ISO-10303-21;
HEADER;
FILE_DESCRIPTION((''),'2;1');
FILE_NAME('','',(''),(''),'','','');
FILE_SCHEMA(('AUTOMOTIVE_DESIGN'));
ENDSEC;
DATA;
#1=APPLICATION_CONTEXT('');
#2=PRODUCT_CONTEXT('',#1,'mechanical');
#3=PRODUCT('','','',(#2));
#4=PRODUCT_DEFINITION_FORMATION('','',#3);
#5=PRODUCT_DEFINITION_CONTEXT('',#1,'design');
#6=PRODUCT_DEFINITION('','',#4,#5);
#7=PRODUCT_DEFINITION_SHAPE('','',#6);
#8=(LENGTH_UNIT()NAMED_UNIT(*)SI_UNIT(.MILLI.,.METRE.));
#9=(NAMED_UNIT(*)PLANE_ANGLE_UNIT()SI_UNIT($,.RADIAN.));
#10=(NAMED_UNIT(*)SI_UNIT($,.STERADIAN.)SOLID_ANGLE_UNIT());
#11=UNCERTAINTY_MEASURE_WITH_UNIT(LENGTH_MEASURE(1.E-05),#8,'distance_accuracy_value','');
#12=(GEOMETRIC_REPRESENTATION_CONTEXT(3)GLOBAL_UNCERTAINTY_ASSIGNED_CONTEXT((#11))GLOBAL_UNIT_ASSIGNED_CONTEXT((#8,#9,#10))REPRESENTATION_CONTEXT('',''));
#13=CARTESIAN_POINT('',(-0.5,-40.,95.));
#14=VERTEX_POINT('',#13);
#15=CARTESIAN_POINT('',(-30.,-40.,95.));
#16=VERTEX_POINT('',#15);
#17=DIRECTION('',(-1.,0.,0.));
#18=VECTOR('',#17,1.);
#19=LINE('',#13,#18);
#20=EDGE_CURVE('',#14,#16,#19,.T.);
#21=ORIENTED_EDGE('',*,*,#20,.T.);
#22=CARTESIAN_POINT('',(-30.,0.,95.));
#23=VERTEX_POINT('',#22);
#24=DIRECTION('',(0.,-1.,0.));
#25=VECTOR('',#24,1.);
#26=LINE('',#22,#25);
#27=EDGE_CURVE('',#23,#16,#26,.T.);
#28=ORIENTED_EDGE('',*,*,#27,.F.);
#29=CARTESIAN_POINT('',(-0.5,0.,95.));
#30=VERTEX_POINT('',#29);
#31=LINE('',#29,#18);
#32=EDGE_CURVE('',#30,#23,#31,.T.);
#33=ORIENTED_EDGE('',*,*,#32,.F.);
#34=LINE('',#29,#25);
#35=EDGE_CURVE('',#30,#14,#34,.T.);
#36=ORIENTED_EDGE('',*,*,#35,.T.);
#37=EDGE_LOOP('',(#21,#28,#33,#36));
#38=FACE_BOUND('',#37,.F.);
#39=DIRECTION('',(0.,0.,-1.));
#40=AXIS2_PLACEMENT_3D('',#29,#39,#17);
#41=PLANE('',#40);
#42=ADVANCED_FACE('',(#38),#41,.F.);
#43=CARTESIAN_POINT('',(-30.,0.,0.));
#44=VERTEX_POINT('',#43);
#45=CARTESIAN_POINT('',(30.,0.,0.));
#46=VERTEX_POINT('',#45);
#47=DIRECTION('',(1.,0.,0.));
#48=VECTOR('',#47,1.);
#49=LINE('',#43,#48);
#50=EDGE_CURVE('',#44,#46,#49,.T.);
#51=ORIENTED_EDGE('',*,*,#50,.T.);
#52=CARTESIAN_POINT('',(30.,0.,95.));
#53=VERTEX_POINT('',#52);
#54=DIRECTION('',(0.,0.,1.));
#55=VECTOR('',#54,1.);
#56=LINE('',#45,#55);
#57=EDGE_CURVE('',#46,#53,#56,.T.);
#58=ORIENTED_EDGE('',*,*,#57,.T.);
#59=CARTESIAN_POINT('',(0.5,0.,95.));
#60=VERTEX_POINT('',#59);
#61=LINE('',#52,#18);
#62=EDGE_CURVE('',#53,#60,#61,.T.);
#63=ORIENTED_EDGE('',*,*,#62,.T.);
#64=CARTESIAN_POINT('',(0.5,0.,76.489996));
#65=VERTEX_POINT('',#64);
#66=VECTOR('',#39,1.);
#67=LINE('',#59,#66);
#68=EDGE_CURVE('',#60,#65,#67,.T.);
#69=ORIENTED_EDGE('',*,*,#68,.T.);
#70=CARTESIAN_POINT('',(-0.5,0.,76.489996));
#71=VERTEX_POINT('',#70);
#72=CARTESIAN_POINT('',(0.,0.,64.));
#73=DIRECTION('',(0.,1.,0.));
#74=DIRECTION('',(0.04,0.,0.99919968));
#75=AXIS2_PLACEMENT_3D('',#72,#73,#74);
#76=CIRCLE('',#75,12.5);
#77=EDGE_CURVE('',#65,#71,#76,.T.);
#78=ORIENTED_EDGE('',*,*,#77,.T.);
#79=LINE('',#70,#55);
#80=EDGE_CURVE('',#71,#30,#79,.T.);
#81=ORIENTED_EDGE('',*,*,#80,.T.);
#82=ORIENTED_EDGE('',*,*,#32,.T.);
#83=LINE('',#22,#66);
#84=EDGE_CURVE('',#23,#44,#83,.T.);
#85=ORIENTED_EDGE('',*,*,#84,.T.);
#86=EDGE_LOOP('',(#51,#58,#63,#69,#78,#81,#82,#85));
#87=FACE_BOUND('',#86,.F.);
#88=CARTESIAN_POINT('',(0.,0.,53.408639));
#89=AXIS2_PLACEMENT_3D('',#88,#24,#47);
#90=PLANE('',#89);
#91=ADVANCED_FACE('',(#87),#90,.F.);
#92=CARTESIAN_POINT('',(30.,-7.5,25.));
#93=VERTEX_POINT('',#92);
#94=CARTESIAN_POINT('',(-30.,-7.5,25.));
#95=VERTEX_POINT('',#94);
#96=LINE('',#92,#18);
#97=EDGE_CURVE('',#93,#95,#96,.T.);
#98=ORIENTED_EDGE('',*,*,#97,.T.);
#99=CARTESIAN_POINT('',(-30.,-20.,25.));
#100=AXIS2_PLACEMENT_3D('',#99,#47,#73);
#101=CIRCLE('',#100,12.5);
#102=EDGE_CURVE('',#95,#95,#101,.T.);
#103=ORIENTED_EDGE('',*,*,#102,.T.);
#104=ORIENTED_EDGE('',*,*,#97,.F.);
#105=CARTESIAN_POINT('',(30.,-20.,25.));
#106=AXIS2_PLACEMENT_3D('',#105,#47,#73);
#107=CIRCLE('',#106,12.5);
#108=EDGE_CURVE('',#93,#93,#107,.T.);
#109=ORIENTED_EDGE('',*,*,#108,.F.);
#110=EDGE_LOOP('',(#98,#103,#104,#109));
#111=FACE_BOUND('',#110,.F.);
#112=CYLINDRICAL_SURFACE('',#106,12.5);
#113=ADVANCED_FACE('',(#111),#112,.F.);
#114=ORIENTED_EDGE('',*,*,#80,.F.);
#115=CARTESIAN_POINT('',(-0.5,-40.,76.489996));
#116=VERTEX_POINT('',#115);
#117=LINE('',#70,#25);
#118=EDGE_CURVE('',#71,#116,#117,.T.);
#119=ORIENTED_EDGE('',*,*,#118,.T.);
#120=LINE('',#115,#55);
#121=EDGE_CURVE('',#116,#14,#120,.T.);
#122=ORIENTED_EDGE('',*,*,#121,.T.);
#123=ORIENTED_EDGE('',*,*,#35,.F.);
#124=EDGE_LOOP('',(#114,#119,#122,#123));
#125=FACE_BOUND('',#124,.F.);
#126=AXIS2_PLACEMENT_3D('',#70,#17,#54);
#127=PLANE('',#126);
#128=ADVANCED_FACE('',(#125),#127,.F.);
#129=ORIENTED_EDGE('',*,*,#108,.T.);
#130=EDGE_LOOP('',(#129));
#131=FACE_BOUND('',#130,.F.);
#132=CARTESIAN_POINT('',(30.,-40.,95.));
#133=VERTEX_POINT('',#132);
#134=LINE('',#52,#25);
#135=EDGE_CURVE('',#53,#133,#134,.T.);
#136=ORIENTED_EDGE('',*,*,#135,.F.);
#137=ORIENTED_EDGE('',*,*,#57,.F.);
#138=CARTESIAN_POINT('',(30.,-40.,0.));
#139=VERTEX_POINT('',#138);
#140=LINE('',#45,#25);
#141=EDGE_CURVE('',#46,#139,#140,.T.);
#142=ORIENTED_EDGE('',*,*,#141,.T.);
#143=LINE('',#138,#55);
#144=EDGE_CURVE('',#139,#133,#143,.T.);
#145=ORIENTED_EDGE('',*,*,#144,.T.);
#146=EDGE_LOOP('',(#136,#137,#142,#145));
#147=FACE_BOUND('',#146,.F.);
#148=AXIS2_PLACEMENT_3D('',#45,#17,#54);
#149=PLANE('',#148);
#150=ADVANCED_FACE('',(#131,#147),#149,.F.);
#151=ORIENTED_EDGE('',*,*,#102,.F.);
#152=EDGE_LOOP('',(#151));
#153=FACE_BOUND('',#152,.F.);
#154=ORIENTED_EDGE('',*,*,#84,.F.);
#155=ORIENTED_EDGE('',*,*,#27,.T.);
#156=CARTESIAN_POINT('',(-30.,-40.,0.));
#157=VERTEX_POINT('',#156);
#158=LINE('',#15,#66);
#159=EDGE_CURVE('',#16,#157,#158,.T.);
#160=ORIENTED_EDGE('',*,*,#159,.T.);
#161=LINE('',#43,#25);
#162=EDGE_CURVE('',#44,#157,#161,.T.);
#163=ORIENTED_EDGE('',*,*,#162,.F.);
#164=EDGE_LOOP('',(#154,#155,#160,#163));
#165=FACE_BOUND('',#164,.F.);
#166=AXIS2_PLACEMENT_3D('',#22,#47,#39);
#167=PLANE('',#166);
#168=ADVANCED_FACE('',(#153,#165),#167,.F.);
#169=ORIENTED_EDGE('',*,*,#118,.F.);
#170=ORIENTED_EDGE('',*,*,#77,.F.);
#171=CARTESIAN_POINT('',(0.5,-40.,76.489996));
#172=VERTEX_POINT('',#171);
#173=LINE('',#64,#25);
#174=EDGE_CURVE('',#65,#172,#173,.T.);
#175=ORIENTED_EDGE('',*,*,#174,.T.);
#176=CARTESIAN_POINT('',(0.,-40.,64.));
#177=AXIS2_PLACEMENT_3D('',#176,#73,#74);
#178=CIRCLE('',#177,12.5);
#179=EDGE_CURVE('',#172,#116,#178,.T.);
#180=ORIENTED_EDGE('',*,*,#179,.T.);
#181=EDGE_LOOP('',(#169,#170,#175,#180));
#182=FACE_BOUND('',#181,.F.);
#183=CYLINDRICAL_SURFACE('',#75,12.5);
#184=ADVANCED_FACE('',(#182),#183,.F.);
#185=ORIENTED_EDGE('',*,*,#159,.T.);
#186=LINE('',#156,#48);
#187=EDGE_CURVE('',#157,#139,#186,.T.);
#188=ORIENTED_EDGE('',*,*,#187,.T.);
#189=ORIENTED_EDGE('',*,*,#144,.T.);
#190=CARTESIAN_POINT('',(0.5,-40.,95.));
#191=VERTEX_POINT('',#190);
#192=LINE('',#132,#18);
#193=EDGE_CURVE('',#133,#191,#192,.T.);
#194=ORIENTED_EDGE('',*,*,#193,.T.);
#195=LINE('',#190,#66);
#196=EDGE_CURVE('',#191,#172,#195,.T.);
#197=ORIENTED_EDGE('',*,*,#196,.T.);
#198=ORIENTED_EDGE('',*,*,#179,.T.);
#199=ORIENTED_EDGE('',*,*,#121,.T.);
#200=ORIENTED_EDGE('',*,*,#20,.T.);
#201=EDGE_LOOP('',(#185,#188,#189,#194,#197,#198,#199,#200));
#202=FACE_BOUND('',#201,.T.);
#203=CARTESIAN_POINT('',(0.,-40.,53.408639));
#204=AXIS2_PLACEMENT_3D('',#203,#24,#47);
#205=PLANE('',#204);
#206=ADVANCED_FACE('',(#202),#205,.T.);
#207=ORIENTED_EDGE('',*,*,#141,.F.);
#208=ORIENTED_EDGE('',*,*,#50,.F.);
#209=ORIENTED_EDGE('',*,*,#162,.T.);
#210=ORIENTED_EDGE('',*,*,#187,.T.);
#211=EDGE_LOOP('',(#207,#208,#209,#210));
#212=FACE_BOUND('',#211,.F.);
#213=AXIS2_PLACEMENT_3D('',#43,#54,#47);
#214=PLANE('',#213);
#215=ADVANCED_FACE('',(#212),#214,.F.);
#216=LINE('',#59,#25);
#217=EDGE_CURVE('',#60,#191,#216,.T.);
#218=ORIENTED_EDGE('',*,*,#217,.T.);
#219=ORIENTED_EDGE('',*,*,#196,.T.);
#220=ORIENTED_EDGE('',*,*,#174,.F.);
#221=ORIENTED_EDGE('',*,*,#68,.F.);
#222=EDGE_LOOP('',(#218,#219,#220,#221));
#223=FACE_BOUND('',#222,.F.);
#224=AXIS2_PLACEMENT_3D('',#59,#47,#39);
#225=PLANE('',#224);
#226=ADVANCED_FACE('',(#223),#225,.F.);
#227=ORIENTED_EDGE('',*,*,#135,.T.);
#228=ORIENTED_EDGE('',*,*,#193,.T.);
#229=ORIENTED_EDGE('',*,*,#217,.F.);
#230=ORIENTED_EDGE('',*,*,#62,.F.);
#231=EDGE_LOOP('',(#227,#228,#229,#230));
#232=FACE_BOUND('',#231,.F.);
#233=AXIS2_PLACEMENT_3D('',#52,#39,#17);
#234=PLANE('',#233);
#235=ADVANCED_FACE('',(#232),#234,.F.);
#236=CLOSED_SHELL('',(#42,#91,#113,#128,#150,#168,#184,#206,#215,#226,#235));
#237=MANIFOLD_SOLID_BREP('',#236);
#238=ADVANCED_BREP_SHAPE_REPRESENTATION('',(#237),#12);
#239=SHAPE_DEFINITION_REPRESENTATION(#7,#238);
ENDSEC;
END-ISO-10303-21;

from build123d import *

# Parameters (mm, degrees)
F1_DEPTH = 40
F2_R     = 12.5
F3_DEPTH = 60.001


with BuildPart() as f1:
    # F0 (on Front) → F1 (new body)
    with BuildSketch(Plane.XZ):
        with BuildLine():
            Line((-30, 95), (-30, 0))
            Line((-30, 0), (30, 0))
            Line((30, 0), (30, 95))
            Line((30, 95), (0.5, 95))
            Line((0.5, 95), (0.5, 76.489996))
            ThreePointArc((0.5, 76.489996), (0, 51.5), (-0.5, 76.489996))
            Line((-0.5, 76.489996), (-0.5, 95))
            Line((-0.5, 95), (-30, 95))
        make_face()
    extrude(amount=F1_DEPTH)

    # F2 (on face) → F3 (cut, through all)
    with BuildSketch(Plane.YZ.offset(30)):
        with Locations((-20, 25)):
            Circle(F2_R)
    extrude(amount=-F3_DEPTH, mode=Mode.SUBTRACT)


solid = f1.part
